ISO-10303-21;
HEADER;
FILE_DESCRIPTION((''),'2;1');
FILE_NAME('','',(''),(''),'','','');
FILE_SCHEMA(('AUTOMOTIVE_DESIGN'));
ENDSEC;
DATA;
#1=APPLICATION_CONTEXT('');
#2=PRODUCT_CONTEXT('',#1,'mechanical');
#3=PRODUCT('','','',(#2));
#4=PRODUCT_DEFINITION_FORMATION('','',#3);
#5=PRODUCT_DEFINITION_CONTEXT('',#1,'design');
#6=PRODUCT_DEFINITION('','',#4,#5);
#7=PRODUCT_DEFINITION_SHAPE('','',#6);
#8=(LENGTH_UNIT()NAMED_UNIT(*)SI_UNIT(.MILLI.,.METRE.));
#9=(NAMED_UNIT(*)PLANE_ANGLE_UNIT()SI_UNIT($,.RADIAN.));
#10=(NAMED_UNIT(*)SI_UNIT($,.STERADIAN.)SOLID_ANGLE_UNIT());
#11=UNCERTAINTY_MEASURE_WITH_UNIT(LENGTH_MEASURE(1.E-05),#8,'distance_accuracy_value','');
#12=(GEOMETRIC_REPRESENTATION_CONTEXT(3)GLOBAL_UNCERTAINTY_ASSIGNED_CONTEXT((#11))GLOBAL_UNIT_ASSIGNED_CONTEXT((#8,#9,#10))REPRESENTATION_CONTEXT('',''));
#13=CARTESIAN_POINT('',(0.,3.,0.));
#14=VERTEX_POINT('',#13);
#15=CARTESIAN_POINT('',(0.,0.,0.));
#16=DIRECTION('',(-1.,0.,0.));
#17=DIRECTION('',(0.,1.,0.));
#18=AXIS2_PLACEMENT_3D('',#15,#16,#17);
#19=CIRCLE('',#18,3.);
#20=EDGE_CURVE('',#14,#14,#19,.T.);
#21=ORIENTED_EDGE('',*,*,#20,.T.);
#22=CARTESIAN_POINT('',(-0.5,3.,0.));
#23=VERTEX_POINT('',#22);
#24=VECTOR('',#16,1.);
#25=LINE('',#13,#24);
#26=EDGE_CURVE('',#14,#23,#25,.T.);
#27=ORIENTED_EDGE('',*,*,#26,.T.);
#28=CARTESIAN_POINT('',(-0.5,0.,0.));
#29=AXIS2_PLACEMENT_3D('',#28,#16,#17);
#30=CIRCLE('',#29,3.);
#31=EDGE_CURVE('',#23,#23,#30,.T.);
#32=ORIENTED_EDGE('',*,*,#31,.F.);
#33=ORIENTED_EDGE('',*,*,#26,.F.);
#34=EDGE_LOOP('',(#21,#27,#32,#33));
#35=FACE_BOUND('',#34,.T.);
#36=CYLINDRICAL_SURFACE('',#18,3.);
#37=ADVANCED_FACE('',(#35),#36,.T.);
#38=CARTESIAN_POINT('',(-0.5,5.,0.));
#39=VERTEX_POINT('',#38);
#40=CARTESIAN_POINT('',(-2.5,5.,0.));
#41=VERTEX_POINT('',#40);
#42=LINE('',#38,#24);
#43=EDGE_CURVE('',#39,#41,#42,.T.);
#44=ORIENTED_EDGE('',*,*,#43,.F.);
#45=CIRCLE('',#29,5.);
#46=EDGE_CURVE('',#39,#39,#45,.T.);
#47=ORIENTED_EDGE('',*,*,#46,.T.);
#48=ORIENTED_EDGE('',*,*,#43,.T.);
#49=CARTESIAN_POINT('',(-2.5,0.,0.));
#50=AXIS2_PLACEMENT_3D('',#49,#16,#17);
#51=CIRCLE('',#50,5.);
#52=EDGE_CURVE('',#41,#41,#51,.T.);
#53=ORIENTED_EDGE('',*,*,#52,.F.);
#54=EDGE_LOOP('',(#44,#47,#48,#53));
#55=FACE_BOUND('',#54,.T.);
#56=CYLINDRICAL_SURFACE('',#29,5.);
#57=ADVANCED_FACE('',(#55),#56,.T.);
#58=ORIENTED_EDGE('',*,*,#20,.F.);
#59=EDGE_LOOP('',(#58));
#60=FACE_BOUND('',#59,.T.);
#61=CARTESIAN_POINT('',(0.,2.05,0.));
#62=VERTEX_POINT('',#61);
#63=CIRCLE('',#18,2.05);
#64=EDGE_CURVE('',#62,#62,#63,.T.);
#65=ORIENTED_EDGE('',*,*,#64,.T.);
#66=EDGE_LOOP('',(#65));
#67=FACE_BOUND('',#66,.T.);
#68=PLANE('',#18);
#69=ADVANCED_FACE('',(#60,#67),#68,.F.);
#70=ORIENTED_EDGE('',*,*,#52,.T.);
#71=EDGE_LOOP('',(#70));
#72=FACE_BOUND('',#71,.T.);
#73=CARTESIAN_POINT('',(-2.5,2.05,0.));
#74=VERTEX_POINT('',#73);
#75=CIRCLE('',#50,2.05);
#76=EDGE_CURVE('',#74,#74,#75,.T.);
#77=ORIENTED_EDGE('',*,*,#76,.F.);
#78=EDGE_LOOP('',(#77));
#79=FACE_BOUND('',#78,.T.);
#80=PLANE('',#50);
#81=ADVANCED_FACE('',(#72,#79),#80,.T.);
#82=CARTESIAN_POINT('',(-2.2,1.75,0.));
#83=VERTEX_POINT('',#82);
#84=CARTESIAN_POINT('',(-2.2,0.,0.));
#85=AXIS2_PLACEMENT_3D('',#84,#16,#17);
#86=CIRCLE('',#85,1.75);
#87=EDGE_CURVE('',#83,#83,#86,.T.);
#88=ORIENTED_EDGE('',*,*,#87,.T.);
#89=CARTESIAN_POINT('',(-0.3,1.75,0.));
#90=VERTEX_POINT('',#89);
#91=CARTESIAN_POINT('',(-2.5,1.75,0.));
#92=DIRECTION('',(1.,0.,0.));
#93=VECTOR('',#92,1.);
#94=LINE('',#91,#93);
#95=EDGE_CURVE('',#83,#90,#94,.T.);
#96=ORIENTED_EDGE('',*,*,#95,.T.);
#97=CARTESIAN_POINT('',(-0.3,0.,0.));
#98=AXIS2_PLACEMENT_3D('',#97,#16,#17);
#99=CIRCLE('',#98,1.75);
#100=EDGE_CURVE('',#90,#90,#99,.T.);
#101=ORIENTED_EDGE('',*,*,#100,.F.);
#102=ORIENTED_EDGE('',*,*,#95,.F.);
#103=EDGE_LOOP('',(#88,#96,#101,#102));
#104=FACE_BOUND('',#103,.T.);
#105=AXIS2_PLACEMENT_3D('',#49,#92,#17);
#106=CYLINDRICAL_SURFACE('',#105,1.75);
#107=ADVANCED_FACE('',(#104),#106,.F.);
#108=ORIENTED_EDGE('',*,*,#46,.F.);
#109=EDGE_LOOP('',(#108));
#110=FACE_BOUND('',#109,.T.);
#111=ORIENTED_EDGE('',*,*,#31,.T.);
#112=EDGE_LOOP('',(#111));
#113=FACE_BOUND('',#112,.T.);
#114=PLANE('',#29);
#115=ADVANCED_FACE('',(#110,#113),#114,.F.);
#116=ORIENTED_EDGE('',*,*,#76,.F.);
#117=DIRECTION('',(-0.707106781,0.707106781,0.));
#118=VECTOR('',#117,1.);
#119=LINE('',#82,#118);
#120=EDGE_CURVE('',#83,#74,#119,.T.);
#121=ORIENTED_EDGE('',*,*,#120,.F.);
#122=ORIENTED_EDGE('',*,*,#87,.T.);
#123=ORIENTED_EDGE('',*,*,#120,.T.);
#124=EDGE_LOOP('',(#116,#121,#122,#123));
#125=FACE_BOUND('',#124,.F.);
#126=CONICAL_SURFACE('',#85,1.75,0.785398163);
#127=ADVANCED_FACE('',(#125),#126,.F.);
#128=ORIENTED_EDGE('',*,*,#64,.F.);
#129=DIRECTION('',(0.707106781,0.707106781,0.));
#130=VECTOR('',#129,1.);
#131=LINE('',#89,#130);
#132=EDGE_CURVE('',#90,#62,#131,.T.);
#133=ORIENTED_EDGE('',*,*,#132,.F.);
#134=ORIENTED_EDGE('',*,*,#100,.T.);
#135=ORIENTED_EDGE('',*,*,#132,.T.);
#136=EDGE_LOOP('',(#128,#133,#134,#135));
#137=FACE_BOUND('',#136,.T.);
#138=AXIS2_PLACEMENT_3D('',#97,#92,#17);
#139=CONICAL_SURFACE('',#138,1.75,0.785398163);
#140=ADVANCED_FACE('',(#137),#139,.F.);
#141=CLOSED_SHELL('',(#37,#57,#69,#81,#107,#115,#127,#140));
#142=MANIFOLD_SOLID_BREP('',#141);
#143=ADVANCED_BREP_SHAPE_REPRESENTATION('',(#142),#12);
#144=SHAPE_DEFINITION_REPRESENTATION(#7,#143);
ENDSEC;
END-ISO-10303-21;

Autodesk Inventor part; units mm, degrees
ref_plane "YZ Plane" through (0, 0, 0) normal (1, 0, 0) x (0, 1, 0)
ref_plane "XZ Plane" through (0, 0, 0) normal (0, 1, 0) x (-1, 0, 0)
ref_plane "XY Plane" through (0, 0, 0) normal (0, 0, 1) x (1, 0, 0)
sketch "Эскиз1" plane through (0, 0, 0) normal (0, 0, 1) x (1, 0, 0)
  line L0 (0, 1.75) -> (0, 3)
  line L1 (0, 3) -> (-0.5, 3)
  line L2 (-0.5, 3) -> (-0.5, 5)
  line L3 (-0.5, 5) -> (-2.5, 5)
  line L4 (-2.5, 5) -> (-2.5, 1.75)
  line L5 (-2.5, 1.75) -> (0, 1.75)
  line L6 (0, 0) -> (-4.5246, 0) construction
  dimension "d0" = 6
  dimension "d1" = 10
  dimension "d2" = 3.5
  dimension "d3" = 0.5
  dimension "d12" = 2
revolve "Вращение1" add sketch "Эскиз1" angle 360 about axis through (0, 0, 0) along (-1, 0, 0)
chamfer "Фаска1" distance 0.3 angle 45 2 edges at (-2.5, -1.75, 0) (0, -1.75, 0)
properties part number "Стопорная шайба"
